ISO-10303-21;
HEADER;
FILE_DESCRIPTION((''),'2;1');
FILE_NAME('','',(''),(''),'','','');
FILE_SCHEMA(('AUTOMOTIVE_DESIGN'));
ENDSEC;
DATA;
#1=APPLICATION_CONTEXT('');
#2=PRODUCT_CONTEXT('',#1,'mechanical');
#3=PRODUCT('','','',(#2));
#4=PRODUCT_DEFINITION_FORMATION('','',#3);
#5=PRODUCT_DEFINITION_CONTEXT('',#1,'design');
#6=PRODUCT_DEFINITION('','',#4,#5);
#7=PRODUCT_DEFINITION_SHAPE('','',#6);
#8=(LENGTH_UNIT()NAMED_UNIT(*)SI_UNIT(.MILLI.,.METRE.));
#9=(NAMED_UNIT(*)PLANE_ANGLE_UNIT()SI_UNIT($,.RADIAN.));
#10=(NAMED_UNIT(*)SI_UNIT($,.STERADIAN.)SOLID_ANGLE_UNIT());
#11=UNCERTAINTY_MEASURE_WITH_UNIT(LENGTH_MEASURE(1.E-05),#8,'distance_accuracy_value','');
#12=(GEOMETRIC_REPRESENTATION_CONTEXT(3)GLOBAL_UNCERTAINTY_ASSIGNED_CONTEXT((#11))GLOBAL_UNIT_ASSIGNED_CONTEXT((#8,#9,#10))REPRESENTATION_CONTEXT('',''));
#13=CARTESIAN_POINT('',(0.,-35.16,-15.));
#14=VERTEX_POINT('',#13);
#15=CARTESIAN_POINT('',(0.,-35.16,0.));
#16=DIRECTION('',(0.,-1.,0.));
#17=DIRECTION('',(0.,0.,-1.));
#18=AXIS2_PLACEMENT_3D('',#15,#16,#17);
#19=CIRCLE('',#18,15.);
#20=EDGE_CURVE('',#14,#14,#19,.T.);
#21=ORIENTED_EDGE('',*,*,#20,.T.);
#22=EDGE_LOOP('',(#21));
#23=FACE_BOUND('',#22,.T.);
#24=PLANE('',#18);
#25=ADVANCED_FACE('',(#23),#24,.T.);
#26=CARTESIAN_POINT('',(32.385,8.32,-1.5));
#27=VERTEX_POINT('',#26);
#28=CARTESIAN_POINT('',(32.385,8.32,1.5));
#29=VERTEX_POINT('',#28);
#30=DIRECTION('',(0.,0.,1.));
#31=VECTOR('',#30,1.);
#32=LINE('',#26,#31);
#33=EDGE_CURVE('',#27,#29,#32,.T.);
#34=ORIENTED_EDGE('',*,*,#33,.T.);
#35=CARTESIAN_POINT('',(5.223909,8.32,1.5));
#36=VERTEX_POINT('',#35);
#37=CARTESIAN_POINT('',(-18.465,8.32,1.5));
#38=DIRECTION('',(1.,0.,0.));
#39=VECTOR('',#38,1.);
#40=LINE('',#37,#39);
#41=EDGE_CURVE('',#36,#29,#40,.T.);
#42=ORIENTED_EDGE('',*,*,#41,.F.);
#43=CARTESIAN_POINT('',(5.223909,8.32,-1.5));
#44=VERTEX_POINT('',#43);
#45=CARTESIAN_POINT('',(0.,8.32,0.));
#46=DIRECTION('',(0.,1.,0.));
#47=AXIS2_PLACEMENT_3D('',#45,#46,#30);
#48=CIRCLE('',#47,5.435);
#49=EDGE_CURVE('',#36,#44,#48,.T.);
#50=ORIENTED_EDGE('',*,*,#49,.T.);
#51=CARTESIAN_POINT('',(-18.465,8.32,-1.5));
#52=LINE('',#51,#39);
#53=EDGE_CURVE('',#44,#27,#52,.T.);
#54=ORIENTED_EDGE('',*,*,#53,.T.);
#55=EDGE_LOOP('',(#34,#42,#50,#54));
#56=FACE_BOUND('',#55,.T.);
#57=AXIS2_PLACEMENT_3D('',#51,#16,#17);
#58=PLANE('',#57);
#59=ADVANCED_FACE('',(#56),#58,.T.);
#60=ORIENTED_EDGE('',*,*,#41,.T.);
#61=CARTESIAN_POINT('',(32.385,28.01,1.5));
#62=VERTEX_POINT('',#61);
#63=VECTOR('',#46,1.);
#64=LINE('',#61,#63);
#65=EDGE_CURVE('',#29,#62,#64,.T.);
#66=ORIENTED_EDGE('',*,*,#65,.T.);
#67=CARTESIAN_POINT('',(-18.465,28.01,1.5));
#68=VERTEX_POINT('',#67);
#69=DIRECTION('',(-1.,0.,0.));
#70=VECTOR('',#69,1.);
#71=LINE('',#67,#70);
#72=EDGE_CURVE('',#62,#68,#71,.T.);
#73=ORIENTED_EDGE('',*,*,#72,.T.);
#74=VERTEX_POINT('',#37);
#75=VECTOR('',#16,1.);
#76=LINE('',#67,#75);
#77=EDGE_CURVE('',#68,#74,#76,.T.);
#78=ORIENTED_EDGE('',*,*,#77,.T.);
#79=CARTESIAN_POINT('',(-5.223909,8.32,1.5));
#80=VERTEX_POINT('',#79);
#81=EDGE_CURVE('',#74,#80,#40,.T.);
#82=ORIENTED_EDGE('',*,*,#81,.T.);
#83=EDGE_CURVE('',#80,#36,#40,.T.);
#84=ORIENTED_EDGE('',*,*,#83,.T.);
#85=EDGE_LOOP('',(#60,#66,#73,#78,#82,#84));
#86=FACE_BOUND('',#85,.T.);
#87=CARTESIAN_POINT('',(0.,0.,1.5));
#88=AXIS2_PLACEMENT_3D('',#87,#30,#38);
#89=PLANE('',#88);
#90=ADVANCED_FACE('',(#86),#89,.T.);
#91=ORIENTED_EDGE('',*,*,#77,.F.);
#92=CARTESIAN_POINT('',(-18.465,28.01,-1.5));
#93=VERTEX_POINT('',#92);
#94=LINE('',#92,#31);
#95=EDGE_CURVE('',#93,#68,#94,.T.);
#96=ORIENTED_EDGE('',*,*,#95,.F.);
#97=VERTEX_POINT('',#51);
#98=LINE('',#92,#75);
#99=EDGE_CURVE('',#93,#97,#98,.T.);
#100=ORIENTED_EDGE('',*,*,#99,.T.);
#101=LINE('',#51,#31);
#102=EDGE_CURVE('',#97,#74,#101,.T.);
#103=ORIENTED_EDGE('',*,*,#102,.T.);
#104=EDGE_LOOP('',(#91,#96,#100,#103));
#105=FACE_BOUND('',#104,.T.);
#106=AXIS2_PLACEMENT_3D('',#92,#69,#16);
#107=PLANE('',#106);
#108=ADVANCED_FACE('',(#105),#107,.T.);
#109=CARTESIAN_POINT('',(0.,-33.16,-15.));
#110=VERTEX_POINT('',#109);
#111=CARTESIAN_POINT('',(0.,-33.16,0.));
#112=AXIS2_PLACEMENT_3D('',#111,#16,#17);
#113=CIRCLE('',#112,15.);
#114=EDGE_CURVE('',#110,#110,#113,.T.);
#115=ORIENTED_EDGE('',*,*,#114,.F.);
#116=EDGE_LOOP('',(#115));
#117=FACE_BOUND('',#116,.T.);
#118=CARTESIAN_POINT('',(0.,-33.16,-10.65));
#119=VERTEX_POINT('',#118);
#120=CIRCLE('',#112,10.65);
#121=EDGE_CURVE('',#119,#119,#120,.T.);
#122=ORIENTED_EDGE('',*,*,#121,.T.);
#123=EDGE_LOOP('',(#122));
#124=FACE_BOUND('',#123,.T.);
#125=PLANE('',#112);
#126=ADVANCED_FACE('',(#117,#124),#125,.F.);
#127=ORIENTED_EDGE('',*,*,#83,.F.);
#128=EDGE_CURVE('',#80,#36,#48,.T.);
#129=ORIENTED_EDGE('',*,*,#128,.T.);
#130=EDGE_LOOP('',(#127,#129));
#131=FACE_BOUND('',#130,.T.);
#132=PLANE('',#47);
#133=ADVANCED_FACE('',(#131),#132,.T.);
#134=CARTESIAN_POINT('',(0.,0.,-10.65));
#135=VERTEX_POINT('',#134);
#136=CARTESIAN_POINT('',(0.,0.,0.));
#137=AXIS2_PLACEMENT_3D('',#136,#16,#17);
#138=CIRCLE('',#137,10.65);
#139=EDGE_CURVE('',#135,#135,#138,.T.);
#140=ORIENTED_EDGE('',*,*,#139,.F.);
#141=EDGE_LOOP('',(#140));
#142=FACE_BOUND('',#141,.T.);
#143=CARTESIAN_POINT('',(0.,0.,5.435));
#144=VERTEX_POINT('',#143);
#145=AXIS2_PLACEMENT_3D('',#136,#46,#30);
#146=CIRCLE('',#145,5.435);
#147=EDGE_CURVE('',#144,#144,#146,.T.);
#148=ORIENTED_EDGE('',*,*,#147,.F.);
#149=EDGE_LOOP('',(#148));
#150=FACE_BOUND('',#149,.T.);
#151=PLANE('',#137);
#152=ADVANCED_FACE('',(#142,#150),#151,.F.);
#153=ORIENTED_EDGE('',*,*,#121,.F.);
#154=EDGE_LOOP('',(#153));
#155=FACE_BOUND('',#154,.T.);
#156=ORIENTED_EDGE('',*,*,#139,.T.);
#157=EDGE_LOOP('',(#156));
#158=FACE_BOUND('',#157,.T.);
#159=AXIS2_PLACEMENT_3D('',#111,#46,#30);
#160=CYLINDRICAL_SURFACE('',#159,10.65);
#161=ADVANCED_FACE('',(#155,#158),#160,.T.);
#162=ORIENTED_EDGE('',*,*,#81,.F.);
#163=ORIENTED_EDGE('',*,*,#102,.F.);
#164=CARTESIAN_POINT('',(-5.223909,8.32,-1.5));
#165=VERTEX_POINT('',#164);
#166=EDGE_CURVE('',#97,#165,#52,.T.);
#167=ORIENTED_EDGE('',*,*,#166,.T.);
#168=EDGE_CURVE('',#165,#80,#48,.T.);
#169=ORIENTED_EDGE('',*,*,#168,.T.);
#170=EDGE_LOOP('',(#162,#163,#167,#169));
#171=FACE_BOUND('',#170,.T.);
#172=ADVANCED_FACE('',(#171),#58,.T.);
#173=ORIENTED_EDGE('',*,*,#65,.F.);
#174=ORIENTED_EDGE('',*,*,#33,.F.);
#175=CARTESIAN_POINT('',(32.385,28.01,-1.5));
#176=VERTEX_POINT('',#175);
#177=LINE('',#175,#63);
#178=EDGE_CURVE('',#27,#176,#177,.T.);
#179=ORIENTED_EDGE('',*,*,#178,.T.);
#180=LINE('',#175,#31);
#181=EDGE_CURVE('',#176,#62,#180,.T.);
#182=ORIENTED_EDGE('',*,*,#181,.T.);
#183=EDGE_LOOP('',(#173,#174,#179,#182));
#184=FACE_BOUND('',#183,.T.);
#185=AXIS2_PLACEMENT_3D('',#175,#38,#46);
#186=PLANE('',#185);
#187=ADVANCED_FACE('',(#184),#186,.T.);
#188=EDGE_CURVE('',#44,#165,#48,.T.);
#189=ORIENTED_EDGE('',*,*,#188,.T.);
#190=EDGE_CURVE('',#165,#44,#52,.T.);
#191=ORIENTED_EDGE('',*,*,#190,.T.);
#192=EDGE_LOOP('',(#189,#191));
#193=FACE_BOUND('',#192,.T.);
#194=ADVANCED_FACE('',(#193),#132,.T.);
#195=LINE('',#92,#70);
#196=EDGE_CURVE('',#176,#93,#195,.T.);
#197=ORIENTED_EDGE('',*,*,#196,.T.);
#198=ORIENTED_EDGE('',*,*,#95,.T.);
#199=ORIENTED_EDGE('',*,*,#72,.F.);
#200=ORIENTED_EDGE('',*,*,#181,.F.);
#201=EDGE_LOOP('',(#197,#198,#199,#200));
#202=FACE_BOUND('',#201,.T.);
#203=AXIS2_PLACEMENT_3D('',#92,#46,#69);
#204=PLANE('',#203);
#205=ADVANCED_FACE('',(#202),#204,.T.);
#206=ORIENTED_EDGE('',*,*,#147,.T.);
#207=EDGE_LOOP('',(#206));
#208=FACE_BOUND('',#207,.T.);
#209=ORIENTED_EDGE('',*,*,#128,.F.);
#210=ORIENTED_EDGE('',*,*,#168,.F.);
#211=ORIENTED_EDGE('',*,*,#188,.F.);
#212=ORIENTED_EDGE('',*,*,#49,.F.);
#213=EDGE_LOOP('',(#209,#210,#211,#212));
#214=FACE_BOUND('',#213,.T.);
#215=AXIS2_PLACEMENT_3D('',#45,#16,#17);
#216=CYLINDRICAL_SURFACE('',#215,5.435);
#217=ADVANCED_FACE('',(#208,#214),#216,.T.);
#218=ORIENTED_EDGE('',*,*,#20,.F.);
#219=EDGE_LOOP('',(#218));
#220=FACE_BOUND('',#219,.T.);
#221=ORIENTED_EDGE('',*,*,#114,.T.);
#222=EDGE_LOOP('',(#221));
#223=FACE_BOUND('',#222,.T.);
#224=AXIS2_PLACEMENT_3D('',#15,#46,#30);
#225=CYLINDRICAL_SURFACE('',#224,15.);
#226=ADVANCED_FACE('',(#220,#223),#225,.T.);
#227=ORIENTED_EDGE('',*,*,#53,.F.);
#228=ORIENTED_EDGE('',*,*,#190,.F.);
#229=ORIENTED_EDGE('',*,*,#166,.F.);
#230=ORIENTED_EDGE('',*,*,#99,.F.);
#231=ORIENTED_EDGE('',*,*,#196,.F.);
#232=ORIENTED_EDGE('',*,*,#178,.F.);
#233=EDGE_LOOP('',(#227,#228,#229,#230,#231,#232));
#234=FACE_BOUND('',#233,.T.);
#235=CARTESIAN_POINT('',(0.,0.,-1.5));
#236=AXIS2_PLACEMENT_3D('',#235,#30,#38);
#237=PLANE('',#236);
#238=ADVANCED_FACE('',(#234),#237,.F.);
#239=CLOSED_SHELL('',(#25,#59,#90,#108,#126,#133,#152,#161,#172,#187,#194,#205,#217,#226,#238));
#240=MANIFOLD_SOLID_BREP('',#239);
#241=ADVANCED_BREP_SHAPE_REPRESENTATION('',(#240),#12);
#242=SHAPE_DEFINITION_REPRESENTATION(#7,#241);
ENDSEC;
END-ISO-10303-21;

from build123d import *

# Parameters (mm, degrees)
SKETCH2_R                = 5.435
BOSS_EXTRUDE1_DEPTH      = 8.32
BOSS_EXTRUDE2_DEPTH      = 1.5
BOSS_EXTRUDE2_DEPTH_BACK = 1.5
SKETCH4_W                = 50.85
SKETCH4_H                = 19.69
SKETCH5_R                = 10.65
BOSS_EXTRUDE3_DEPTH      = 33.16
SKETCH6_R                = 15
BOSS_EXTRUDE4_DEPTH      = 2


with BuildPart() as part:
    # Sketch2 → Boss-Extrude1 (new body)
    with BuildSketch(Plane(origin=(0, 0, 0), x_dir=(1, 0, 0), z_dir=(0, 1, 0))):
        Circle(SKETCH2_R)
    extrude(amount=BOSS_EXTRUDE1_DEPTH)

    # Sketch4 → Boss-Extrude2 (add, two sides: drawn at the far end of the back side and taken through both)
    with BuildSketch(Plane.XY.offset(-BOSS_EXTRUDE2_DEPTH_BACK)):
        with Locations((6.96, 18.165)):
            Rectangle(SKETCH4_W, SKETCH4_H)
    extrude(amount=BOSS_EXTRUDE2_DEPTH + BOSS_EXTRUDE2_DEPTH_BACK)

    # Sketch5 → Boss-Extrude3 (add)
    with BuildSketch(Plane.XZ):
        Circle(SKETCH5_R)
    extrude(amount=BOSS_EXTRUDE3_DEPTH)

    # Sketch6 → Boss-Extrude4 (add)
    with BuildSketch(Plane.XZ.offset(33.16)):
        Circle(SKETCH6_R)
    extrude(amount=BOSS_EXTRUDE4_DEPTH)


solid = part.part
